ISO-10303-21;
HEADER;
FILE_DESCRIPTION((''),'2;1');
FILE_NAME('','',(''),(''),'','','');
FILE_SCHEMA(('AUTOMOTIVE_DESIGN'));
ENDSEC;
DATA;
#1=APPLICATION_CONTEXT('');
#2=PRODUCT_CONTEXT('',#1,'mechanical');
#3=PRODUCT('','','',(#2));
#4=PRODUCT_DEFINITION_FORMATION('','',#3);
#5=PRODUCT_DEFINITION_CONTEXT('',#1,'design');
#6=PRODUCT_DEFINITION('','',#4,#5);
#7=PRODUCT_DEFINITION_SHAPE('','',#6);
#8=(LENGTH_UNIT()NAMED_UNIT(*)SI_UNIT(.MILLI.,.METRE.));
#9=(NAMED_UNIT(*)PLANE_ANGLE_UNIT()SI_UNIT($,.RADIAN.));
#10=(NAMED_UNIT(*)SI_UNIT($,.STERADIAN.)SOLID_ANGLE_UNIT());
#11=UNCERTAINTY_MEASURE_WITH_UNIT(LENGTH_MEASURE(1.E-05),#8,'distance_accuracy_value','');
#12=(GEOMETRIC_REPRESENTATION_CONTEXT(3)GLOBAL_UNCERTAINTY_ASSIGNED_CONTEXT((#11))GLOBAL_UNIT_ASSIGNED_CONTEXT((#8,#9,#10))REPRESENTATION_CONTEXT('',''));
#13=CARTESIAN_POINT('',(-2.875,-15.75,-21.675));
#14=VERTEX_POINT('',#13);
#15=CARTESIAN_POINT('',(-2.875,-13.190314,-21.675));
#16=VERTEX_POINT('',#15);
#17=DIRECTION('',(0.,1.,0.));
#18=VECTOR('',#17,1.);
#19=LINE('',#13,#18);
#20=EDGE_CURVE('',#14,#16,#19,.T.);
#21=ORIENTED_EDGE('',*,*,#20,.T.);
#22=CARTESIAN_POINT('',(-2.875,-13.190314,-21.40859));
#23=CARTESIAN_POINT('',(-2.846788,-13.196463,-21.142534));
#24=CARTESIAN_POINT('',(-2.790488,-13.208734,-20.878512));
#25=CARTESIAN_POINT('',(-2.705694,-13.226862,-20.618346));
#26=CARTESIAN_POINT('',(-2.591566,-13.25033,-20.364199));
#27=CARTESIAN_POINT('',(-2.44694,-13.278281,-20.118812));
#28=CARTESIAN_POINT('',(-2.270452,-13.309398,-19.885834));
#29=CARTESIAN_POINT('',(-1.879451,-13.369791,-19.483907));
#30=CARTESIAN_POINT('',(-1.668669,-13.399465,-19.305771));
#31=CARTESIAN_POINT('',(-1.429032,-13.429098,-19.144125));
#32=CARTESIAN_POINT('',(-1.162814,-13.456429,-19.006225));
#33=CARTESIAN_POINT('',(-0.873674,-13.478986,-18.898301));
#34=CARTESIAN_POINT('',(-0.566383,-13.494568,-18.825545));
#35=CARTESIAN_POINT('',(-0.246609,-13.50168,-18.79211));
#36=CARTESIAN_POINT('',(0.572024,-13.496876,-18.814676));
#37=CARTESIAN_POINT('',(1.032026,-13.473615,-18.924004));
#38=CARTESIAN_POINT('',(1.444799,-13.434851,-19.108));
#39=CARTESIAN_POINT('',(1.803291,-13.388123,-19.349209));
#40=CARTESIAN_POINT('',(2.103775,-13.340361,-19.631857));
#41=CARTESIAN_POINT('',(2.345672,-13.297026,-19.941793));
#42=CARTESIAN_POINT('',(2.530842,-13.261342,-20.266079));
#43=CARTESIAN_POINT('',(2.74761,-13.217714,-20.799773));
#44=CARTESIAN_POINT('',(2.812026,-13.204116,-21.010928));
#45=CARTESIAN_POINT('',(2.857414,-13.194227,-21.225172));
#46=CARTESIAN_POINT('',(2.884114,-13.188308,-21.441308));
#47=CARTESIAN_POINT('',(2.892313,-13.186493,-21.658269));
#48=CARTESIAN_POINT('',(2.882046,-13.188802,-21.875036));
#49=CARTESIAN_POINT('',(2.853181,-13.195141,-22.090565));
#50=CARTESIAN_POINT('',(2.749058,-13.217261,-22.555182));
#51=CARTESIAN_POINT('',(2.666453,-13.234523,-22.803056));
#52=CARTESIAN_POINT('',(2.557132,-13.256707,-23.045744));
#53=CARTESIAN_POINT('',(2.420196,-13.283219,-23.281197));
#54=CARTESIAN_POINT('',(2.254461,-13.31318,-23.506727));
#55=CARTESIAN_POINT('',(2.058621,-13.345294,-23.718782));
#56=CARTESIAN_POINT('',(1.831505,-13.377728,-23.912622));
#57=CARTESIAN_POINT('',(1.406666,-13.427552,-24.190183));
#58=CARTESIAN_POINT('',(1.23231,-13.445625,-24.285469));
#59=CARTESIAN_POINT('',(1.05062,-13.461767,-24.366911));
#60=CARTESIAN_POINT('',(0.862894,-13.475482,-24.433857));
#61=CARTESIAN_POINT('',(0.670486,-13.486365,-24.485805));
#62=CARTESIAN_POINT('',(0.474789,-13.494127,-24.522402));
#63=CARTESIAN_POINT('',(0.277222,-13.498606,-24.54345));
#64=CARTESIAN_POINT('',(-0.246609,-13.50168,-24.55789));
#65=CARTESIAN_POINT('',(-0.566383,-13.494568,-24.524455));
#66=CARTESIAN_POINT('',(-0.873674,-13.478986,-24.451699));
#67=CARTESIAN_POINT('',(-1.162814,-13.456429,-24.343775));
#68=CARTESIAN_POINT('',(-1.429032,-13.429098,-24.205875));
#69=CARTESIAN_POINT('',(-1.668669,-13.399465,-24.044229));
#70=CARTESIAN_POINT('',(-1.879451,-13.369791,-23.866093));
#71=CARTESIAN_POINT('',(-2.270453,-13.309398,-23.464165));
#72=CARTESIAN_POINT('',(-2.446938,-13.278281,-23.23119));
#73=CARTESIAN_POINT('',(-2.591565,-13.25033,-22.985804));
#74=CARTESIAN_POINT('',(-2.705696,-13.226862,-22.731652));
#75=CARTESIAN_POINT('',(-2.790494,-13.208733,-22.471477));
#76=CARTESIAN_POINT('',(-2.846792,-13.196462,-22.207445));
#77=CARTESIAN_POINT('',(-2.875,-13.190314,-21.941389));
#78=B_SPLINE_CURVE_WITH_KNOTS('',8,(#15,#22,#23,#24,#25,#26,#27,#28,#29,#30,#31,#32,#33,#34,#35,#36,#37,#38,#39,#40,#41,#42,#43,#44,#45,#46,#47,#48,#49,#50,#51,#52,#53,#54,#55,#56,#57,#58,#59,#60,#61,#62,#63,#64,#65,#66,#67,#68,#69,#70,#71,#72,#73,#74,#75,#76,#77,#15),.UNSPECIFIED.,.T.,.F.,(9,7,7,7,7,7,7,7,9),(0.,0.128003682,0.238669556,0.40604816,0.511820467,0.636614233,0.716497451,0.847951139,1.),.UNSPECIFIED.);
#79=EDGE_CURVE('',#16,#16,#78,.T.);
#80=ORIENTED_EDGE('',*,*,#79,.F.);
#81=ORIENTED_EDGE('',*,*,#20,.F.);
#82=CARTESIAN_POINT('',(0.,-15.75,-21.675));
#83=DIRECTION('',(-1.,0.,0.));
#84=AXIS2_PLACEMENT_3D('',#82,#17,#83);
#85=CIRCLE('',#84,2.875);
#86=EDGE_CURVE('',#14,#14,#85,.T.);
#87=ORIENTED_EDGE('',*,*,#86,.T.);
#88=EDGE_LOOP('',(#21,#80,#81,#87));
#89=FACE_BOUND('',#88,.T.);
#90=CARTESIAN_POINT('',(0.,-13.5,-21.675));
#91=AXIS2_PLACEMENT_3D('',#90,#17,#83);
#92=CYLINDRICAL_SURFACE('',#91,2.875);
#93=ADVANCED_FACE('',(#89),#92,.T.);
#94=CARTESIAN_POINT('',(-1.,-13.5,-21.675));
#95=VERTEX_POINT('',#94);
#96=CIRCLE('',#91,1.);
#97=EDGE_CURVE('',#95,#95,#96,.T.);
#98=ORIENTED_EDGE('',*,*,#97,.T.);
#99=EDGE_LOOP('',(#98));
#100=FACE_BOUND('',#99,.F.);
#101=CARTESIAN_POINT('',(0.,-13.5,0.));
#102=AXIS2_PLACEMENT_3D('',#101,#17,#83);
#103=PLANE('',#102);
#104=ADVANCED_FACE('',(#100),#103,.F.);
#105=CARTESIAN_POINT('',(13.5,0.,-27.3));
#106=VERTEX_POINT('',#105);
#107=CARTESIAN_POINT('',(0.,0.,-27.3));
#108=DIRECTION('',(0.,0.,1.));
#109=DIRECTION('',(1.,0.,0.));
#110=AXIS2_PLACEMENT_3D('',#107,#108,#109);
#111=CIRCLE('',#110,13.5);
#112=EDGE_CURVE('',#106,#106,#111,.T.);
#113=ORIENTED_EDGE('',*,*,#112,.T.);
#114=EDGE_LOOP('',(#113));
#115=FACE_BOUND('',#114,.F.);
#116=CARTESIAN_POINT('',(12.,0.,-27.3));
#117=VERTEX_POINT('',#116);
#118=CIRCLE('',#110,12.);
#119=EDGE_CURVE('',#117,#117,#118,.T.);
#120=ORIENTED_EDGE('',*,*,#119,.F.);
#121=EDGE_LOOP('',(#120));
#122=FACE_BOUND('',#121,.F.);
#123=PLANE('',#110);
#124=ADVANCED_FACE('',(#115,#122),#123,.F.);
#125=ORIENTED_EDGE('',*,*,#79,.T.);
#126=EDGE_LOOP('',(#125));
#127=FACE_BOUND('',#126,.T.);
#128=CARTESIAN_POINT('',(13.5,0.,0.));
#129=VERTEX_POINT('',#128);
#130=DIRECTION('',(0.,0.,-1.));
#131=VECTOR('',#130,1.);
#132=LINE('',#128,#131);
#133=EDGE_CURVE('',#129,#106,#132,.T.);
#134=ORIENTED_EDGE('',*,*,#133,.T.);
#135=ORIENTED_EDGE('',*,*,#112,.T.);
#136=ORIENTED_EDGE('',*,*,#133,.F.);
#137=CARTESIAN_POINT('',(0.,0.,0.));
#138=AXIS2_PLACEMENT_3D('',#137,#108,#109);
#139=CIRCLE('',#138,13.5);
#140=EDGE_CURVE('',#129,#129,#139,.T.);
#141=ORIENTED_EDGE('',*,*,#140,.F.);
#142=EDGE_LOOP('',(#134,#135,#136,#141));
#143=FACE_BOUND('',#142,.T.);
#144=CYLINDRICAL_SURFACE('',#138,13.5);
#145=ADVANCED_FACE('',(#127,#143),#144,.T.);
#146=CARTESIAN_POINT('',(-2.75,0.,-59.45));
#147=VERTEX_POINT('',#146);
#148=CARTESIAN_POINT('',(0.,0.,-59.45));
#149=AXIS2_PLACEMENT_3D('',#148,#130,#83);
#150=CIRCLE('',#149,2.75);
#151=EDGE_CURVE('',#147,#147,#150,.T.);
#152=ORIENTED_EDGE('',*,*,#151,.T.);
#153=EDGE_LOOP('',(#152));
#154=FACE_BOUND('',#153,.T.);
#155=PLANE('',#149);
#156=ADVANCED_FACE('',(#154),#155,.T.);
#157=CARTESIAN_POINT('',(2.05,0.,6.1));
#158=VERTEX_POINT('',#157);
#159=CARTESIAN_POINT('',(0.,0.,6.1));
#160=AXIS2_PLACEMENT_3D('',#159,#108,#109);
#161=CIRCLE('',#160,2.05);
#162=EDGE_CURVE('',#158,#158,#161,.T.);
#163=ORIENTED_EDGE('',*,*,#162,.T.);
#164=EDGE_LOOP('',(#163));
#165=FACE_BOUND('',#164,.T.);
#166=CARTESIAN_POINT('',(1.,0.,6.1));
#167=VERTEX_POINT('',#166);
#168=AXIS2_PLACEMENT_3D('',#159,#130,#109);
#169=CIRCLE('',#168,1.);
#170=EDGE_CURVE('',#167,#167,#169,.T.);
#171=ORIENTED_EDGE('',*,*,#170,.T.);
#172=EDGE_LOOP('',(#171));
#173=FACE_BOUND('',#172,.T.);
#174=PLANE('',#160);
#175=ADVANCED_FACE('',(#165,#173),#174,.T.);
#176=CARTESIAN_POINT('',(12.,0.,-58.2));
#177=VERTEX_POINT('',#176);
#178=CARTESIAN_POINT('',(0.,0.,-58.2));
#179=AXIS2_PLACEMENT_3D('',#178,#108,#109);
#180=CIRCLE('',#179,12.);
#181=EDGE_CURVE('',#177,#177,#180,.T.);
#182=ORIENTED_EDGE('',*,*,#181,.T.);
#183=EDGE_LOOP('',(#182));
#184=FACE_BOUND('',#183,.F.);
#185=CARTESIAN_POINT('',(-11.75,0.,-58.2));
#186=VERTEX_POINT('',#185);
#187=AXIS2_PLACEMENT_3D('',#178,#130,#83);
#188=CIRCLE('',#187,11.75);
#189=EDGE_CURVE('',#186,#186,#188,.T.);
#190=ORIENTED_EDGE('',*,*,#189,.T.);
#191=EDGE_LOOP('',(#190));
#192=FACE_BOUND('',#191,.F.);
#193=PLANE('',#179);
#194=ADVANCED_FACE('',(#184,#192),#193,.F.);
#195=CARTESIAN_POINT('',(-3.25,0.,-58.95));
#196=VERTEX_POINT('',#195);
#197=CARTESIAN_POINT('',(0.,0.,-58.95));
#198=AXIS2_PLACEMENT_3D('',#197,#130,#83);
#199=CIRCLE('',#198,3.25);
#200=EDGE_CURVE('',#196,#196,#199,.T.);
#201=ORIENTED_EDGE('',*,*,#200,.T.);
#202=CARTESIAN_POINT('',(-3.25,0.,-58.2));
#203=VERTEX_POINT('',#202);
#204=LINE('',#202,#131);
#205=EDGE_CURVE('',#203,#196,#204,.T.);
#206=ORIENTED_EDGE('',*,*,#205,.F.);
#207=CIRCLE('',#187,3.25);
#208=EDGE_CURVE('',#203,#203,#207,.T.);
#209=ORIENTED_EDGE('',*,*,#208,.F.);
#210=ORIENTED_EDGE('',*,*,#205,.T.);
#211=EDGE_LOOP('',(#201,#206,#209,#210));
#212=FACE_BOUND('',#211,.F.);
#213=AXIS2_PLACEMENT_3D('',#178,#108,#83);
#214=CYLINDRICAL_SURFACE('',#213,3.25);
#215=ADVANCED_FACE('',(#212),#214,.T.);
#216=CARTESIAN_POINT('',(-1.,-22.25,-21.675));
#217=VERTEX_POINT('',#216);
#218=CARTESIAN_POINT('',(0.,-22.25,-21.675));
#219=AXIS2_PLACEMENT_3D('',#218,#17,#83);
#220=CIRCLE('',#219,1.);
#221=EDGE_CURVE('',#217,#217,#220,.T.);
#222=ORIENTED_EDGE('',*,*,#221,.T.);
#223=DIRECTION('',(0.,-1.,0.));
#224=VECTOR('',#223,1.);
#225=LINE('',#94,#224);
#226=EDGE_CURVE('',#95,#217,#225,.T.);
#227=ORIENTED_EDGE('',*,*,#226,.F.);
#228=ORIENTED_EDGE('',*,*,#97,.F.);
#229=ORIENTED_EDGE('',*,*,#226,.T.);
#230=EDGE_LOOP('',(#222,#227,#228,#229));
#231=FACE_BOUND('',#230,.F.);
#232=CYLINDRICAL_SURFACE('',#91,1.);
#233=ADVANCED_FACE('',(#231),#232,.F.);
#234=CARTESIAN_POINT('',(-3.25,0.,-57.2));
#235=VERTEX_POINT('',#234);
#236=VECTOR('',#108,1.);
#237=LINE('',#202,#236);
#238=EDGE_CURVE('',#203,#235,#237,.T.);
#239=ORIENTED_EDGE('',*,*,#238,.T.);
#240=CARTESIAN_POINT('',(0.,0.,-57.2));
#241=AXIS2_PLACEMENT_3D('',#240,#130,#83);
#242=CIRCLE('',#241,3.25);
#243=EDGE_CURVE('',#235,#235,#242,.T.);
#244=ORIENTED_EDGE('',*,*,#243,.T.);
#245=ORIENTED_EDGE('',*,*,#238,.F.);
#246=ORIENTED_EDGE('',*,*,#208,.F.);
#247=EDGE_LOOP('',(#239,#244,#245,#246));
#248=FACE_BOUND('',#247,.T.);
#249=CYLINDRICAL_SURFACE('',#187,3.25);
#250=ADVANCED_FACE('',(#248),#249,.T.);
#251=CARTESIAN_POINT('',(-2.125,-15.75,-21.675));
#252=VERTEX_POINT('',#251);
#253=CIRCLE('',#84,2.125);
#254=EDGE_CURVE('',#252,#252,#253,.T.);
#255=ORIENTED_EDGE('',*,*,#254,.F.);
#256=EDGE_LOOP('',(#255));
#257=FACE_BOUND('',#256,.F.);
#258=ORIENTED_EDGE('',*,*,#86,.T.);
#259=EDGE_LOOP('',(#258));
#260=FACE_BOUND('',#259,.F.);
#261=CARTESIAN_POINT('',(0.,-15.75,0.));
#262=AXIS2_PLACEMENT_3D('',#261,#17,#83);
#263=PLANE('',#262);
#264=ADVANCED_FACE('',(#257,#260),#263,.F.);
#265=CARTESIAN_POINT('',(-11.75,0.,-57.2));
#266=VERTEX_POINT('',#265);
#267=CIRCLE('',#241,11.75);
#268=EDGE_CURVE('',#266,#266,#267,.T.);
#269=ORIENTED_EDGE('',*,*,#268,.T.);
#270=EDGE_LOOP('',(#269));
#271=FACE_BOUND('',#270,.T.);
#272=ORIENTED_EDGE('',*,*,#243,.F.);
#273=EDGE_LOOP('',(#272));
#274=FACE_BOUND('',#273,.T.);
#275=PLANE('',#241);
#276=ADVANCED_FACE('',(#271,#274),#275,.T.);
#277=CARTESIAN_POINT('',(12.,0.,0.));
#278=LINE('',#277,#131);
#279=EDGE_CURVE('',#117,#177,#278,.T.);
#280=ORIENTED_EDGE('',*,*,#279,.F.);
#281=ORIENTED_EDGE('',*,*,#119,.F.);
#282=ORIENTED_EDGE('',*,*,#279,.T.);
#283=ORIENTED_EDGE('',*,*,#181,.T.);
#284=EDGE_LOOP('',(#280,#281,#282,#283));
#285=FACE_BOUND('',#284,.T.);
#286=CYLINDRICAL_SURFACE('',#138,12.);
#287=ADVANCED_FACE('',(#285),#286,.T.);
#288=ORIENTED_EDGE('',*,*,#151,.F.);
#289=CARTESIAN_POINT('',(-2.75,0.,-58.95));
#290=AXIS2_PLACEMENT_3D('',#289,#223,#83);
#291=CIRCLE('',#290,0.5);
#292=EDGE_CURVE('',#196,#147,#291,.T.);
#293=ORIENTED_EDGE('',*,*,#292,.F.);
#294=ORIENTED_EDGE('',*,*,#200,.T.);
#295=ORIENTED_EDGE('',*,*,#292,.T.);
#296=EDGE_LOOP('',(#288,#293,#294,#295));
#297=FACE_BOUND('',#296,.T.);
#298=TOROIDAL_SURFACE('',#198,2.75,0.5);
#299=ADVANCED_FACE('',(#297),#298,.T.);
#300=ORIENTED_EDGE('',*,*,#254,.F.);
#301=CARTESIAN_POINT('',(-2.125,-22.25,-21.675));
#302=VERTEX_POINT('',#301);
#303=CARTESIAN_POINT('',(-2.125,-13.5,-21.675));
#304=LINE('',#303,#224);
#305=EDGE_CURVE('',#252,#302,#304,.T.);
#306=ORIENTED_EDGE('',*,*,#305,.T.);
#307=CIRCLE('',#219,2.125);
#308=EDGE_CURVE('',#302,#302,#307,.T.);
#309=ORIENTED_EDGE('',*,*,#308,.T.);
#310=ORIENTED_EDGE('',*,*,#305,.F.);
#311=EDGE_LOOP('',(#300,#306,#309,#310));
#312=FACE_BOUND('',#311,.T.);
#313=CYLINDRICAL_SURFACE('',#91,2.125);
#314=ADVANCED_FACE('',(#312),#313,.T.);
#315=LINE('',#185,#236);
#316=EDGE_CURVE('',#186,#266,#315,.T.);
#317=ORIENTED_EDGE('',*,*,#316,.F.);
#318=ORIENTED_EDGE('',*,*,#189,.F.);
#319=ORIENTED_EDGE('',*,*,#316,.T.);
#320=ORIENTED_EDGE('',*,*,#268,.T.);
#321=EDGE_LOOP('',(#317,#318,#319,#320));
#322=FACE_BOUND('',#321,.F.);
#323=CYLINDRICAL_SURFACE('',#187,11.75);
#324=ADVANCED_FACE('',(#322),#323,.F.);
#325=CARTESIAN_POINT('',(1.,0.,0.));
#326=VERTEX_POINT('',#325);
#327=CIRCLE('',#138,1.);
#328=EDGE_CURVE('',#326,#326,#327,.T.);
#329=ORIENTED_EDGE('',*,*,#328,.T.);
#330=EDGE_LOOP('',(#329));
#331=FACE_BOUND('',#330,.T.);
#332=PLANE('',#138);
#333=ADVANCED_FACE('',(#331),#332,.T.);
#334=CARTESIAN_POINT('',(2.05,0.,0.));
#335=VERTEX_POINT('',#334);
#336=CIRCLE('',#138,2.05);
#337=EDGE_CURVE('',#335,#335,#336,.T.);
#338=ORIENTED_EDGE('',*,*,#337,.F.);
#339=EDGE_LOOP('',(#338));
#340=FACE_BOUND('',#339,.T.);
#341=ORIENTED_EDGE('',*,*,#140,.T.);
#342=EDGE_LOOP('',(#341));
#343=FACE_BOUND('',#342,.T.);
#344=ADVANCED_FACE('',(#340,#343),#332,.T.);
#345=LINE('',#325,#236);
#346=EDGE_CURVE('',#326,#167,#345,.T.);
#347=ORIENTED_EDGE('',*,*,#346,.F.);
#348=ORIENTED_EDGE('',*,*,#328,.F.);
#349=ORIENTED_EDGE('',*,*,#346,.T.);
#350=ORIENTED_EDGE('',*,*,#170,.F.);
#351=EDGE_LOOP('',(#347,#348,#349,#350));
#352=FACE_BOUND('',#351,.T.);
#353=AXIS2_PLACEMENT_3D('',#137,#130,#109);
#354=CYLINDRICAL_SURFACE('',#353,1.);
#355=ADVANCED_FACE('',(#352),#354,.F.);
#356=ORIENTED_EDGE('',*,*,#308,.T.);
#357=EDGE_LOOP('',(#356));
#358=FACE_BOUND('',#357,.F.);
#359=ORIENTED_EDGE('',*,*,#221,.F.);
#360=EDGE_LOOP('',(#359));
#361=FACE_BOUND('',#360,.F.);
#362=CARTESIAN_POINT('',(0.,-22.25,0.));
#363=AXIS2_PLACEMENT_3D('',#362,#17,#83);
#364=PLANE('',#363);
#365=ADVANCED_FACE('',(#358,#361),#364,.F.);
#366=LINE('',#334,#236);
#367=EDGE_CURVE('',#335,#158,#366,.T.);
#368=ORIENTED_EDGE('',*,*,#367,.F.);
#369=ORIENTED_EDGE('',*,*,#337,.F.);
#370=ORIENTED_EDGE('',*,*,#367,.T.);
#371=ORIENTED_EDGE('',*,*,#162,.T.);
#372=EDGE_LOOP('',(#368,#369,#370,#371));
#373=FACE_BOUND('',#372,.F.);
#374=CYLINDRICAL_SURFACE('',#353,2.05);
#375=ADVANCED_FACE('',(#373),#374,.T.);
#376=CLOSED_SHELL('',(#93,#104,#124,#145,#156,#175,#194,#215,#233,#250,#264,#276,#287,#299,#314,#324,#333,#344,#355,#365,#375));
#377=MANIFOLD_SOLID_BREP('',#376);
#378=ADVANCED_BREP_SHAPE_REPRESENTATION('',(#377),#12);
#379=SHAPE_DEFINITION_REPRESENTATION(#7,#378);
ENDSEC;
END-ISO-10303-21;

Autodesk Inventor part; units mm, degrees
ref_plane "YZ Plane" through (0, 0, 0) normal (1, 0, 0) x (0, 1, 0)
ref_plane "XY Plane" through (0, 0, 0) normal (0, 0, 1) x (1, 0, 0)
sketch "Sketch1" plane through (0, 0, 0) normal (0, 0, 1) x (1, 0, 0)
  circle A0 centre (0, 0) radius 13.5
  circle A1 centre (0, 0) radius 2.05
  circle A2 centre (0, 0) radius 12
  circle A3 centre (0, 0) radius 1
  dimension "d0" = 27
  dimension "d3" = 4.1
  dimension "d6" = 24
  dimension "d20" = 2
extrude "Extrusion1" add sketch "Sketch1" against normal blind 27.3 contours A0 | A1 | A2 | A3
extrude "Extrusion2" add sketch "Sketch1" along normal blind 6.1 contours A1 | A3
extrude "Extrusion3" add sketch "Sketch1" against normal blind 58.2 contours A1 | A2 | A3
ref_plane "Work Plane1" through (0, -13.5, 0) normal (0, 1, 0) x (-1, 0, 0)
sketch "Sketch2" plane through (0, -13.5, 0) normal (0, 1, 0) x (-1, 0, 0)
  circle A0 centre (0, -21.675) radius 2.875
  circle A1 centre (0, -21.675) radius 2.125
  line L0 (13.5, 0) -> (-13.5, 0) projected
  circle A2 centre (0, -21.675) radius 1
  point P0 (0, 0)
  dimension "d10" = 5.75
  dimension "d11" = 21.675
  dimension "d12" = 4.25
  dimension "d17" = 2
extrude "Extrusion4" add sketch "Sketch2" along normal mid plane 4.5 contours A0 | A1 | A2
extrude "Extrusion5" add sketch "Sketch2" against normal blind 8.75 contours A1 | A2
extrude "Extrusion6" cut sketch "Sketch2" against normal through all contours A2
extrude "Extrusion7" cut sketch "Sketch1" along normal through all contours A3
sketch "Sketch3" plane through (0, 0, -58.2) normal (0, 0, -1) x (-1, 0, 0)
  circle A0 centre (0, 0) radius 3.25
  circle A1 centre (0, 0) radius 11.75
  dimension "d23" = 6.5
  dimension "d26" = 23.5
extrude "Extrusion9" cut sketch "Sketch3" against normal blind 1
extrude "Extrusion10" add sketch "Sketch3" along normal blind 1.25 contours A0
fillet "Fillet1" radius 0.5 1 edges at (3.25, 0, -59.45)
equation "\"d9\" = -0.5 * d0"
properties part number "Adafruit_1528_4699_ND"
